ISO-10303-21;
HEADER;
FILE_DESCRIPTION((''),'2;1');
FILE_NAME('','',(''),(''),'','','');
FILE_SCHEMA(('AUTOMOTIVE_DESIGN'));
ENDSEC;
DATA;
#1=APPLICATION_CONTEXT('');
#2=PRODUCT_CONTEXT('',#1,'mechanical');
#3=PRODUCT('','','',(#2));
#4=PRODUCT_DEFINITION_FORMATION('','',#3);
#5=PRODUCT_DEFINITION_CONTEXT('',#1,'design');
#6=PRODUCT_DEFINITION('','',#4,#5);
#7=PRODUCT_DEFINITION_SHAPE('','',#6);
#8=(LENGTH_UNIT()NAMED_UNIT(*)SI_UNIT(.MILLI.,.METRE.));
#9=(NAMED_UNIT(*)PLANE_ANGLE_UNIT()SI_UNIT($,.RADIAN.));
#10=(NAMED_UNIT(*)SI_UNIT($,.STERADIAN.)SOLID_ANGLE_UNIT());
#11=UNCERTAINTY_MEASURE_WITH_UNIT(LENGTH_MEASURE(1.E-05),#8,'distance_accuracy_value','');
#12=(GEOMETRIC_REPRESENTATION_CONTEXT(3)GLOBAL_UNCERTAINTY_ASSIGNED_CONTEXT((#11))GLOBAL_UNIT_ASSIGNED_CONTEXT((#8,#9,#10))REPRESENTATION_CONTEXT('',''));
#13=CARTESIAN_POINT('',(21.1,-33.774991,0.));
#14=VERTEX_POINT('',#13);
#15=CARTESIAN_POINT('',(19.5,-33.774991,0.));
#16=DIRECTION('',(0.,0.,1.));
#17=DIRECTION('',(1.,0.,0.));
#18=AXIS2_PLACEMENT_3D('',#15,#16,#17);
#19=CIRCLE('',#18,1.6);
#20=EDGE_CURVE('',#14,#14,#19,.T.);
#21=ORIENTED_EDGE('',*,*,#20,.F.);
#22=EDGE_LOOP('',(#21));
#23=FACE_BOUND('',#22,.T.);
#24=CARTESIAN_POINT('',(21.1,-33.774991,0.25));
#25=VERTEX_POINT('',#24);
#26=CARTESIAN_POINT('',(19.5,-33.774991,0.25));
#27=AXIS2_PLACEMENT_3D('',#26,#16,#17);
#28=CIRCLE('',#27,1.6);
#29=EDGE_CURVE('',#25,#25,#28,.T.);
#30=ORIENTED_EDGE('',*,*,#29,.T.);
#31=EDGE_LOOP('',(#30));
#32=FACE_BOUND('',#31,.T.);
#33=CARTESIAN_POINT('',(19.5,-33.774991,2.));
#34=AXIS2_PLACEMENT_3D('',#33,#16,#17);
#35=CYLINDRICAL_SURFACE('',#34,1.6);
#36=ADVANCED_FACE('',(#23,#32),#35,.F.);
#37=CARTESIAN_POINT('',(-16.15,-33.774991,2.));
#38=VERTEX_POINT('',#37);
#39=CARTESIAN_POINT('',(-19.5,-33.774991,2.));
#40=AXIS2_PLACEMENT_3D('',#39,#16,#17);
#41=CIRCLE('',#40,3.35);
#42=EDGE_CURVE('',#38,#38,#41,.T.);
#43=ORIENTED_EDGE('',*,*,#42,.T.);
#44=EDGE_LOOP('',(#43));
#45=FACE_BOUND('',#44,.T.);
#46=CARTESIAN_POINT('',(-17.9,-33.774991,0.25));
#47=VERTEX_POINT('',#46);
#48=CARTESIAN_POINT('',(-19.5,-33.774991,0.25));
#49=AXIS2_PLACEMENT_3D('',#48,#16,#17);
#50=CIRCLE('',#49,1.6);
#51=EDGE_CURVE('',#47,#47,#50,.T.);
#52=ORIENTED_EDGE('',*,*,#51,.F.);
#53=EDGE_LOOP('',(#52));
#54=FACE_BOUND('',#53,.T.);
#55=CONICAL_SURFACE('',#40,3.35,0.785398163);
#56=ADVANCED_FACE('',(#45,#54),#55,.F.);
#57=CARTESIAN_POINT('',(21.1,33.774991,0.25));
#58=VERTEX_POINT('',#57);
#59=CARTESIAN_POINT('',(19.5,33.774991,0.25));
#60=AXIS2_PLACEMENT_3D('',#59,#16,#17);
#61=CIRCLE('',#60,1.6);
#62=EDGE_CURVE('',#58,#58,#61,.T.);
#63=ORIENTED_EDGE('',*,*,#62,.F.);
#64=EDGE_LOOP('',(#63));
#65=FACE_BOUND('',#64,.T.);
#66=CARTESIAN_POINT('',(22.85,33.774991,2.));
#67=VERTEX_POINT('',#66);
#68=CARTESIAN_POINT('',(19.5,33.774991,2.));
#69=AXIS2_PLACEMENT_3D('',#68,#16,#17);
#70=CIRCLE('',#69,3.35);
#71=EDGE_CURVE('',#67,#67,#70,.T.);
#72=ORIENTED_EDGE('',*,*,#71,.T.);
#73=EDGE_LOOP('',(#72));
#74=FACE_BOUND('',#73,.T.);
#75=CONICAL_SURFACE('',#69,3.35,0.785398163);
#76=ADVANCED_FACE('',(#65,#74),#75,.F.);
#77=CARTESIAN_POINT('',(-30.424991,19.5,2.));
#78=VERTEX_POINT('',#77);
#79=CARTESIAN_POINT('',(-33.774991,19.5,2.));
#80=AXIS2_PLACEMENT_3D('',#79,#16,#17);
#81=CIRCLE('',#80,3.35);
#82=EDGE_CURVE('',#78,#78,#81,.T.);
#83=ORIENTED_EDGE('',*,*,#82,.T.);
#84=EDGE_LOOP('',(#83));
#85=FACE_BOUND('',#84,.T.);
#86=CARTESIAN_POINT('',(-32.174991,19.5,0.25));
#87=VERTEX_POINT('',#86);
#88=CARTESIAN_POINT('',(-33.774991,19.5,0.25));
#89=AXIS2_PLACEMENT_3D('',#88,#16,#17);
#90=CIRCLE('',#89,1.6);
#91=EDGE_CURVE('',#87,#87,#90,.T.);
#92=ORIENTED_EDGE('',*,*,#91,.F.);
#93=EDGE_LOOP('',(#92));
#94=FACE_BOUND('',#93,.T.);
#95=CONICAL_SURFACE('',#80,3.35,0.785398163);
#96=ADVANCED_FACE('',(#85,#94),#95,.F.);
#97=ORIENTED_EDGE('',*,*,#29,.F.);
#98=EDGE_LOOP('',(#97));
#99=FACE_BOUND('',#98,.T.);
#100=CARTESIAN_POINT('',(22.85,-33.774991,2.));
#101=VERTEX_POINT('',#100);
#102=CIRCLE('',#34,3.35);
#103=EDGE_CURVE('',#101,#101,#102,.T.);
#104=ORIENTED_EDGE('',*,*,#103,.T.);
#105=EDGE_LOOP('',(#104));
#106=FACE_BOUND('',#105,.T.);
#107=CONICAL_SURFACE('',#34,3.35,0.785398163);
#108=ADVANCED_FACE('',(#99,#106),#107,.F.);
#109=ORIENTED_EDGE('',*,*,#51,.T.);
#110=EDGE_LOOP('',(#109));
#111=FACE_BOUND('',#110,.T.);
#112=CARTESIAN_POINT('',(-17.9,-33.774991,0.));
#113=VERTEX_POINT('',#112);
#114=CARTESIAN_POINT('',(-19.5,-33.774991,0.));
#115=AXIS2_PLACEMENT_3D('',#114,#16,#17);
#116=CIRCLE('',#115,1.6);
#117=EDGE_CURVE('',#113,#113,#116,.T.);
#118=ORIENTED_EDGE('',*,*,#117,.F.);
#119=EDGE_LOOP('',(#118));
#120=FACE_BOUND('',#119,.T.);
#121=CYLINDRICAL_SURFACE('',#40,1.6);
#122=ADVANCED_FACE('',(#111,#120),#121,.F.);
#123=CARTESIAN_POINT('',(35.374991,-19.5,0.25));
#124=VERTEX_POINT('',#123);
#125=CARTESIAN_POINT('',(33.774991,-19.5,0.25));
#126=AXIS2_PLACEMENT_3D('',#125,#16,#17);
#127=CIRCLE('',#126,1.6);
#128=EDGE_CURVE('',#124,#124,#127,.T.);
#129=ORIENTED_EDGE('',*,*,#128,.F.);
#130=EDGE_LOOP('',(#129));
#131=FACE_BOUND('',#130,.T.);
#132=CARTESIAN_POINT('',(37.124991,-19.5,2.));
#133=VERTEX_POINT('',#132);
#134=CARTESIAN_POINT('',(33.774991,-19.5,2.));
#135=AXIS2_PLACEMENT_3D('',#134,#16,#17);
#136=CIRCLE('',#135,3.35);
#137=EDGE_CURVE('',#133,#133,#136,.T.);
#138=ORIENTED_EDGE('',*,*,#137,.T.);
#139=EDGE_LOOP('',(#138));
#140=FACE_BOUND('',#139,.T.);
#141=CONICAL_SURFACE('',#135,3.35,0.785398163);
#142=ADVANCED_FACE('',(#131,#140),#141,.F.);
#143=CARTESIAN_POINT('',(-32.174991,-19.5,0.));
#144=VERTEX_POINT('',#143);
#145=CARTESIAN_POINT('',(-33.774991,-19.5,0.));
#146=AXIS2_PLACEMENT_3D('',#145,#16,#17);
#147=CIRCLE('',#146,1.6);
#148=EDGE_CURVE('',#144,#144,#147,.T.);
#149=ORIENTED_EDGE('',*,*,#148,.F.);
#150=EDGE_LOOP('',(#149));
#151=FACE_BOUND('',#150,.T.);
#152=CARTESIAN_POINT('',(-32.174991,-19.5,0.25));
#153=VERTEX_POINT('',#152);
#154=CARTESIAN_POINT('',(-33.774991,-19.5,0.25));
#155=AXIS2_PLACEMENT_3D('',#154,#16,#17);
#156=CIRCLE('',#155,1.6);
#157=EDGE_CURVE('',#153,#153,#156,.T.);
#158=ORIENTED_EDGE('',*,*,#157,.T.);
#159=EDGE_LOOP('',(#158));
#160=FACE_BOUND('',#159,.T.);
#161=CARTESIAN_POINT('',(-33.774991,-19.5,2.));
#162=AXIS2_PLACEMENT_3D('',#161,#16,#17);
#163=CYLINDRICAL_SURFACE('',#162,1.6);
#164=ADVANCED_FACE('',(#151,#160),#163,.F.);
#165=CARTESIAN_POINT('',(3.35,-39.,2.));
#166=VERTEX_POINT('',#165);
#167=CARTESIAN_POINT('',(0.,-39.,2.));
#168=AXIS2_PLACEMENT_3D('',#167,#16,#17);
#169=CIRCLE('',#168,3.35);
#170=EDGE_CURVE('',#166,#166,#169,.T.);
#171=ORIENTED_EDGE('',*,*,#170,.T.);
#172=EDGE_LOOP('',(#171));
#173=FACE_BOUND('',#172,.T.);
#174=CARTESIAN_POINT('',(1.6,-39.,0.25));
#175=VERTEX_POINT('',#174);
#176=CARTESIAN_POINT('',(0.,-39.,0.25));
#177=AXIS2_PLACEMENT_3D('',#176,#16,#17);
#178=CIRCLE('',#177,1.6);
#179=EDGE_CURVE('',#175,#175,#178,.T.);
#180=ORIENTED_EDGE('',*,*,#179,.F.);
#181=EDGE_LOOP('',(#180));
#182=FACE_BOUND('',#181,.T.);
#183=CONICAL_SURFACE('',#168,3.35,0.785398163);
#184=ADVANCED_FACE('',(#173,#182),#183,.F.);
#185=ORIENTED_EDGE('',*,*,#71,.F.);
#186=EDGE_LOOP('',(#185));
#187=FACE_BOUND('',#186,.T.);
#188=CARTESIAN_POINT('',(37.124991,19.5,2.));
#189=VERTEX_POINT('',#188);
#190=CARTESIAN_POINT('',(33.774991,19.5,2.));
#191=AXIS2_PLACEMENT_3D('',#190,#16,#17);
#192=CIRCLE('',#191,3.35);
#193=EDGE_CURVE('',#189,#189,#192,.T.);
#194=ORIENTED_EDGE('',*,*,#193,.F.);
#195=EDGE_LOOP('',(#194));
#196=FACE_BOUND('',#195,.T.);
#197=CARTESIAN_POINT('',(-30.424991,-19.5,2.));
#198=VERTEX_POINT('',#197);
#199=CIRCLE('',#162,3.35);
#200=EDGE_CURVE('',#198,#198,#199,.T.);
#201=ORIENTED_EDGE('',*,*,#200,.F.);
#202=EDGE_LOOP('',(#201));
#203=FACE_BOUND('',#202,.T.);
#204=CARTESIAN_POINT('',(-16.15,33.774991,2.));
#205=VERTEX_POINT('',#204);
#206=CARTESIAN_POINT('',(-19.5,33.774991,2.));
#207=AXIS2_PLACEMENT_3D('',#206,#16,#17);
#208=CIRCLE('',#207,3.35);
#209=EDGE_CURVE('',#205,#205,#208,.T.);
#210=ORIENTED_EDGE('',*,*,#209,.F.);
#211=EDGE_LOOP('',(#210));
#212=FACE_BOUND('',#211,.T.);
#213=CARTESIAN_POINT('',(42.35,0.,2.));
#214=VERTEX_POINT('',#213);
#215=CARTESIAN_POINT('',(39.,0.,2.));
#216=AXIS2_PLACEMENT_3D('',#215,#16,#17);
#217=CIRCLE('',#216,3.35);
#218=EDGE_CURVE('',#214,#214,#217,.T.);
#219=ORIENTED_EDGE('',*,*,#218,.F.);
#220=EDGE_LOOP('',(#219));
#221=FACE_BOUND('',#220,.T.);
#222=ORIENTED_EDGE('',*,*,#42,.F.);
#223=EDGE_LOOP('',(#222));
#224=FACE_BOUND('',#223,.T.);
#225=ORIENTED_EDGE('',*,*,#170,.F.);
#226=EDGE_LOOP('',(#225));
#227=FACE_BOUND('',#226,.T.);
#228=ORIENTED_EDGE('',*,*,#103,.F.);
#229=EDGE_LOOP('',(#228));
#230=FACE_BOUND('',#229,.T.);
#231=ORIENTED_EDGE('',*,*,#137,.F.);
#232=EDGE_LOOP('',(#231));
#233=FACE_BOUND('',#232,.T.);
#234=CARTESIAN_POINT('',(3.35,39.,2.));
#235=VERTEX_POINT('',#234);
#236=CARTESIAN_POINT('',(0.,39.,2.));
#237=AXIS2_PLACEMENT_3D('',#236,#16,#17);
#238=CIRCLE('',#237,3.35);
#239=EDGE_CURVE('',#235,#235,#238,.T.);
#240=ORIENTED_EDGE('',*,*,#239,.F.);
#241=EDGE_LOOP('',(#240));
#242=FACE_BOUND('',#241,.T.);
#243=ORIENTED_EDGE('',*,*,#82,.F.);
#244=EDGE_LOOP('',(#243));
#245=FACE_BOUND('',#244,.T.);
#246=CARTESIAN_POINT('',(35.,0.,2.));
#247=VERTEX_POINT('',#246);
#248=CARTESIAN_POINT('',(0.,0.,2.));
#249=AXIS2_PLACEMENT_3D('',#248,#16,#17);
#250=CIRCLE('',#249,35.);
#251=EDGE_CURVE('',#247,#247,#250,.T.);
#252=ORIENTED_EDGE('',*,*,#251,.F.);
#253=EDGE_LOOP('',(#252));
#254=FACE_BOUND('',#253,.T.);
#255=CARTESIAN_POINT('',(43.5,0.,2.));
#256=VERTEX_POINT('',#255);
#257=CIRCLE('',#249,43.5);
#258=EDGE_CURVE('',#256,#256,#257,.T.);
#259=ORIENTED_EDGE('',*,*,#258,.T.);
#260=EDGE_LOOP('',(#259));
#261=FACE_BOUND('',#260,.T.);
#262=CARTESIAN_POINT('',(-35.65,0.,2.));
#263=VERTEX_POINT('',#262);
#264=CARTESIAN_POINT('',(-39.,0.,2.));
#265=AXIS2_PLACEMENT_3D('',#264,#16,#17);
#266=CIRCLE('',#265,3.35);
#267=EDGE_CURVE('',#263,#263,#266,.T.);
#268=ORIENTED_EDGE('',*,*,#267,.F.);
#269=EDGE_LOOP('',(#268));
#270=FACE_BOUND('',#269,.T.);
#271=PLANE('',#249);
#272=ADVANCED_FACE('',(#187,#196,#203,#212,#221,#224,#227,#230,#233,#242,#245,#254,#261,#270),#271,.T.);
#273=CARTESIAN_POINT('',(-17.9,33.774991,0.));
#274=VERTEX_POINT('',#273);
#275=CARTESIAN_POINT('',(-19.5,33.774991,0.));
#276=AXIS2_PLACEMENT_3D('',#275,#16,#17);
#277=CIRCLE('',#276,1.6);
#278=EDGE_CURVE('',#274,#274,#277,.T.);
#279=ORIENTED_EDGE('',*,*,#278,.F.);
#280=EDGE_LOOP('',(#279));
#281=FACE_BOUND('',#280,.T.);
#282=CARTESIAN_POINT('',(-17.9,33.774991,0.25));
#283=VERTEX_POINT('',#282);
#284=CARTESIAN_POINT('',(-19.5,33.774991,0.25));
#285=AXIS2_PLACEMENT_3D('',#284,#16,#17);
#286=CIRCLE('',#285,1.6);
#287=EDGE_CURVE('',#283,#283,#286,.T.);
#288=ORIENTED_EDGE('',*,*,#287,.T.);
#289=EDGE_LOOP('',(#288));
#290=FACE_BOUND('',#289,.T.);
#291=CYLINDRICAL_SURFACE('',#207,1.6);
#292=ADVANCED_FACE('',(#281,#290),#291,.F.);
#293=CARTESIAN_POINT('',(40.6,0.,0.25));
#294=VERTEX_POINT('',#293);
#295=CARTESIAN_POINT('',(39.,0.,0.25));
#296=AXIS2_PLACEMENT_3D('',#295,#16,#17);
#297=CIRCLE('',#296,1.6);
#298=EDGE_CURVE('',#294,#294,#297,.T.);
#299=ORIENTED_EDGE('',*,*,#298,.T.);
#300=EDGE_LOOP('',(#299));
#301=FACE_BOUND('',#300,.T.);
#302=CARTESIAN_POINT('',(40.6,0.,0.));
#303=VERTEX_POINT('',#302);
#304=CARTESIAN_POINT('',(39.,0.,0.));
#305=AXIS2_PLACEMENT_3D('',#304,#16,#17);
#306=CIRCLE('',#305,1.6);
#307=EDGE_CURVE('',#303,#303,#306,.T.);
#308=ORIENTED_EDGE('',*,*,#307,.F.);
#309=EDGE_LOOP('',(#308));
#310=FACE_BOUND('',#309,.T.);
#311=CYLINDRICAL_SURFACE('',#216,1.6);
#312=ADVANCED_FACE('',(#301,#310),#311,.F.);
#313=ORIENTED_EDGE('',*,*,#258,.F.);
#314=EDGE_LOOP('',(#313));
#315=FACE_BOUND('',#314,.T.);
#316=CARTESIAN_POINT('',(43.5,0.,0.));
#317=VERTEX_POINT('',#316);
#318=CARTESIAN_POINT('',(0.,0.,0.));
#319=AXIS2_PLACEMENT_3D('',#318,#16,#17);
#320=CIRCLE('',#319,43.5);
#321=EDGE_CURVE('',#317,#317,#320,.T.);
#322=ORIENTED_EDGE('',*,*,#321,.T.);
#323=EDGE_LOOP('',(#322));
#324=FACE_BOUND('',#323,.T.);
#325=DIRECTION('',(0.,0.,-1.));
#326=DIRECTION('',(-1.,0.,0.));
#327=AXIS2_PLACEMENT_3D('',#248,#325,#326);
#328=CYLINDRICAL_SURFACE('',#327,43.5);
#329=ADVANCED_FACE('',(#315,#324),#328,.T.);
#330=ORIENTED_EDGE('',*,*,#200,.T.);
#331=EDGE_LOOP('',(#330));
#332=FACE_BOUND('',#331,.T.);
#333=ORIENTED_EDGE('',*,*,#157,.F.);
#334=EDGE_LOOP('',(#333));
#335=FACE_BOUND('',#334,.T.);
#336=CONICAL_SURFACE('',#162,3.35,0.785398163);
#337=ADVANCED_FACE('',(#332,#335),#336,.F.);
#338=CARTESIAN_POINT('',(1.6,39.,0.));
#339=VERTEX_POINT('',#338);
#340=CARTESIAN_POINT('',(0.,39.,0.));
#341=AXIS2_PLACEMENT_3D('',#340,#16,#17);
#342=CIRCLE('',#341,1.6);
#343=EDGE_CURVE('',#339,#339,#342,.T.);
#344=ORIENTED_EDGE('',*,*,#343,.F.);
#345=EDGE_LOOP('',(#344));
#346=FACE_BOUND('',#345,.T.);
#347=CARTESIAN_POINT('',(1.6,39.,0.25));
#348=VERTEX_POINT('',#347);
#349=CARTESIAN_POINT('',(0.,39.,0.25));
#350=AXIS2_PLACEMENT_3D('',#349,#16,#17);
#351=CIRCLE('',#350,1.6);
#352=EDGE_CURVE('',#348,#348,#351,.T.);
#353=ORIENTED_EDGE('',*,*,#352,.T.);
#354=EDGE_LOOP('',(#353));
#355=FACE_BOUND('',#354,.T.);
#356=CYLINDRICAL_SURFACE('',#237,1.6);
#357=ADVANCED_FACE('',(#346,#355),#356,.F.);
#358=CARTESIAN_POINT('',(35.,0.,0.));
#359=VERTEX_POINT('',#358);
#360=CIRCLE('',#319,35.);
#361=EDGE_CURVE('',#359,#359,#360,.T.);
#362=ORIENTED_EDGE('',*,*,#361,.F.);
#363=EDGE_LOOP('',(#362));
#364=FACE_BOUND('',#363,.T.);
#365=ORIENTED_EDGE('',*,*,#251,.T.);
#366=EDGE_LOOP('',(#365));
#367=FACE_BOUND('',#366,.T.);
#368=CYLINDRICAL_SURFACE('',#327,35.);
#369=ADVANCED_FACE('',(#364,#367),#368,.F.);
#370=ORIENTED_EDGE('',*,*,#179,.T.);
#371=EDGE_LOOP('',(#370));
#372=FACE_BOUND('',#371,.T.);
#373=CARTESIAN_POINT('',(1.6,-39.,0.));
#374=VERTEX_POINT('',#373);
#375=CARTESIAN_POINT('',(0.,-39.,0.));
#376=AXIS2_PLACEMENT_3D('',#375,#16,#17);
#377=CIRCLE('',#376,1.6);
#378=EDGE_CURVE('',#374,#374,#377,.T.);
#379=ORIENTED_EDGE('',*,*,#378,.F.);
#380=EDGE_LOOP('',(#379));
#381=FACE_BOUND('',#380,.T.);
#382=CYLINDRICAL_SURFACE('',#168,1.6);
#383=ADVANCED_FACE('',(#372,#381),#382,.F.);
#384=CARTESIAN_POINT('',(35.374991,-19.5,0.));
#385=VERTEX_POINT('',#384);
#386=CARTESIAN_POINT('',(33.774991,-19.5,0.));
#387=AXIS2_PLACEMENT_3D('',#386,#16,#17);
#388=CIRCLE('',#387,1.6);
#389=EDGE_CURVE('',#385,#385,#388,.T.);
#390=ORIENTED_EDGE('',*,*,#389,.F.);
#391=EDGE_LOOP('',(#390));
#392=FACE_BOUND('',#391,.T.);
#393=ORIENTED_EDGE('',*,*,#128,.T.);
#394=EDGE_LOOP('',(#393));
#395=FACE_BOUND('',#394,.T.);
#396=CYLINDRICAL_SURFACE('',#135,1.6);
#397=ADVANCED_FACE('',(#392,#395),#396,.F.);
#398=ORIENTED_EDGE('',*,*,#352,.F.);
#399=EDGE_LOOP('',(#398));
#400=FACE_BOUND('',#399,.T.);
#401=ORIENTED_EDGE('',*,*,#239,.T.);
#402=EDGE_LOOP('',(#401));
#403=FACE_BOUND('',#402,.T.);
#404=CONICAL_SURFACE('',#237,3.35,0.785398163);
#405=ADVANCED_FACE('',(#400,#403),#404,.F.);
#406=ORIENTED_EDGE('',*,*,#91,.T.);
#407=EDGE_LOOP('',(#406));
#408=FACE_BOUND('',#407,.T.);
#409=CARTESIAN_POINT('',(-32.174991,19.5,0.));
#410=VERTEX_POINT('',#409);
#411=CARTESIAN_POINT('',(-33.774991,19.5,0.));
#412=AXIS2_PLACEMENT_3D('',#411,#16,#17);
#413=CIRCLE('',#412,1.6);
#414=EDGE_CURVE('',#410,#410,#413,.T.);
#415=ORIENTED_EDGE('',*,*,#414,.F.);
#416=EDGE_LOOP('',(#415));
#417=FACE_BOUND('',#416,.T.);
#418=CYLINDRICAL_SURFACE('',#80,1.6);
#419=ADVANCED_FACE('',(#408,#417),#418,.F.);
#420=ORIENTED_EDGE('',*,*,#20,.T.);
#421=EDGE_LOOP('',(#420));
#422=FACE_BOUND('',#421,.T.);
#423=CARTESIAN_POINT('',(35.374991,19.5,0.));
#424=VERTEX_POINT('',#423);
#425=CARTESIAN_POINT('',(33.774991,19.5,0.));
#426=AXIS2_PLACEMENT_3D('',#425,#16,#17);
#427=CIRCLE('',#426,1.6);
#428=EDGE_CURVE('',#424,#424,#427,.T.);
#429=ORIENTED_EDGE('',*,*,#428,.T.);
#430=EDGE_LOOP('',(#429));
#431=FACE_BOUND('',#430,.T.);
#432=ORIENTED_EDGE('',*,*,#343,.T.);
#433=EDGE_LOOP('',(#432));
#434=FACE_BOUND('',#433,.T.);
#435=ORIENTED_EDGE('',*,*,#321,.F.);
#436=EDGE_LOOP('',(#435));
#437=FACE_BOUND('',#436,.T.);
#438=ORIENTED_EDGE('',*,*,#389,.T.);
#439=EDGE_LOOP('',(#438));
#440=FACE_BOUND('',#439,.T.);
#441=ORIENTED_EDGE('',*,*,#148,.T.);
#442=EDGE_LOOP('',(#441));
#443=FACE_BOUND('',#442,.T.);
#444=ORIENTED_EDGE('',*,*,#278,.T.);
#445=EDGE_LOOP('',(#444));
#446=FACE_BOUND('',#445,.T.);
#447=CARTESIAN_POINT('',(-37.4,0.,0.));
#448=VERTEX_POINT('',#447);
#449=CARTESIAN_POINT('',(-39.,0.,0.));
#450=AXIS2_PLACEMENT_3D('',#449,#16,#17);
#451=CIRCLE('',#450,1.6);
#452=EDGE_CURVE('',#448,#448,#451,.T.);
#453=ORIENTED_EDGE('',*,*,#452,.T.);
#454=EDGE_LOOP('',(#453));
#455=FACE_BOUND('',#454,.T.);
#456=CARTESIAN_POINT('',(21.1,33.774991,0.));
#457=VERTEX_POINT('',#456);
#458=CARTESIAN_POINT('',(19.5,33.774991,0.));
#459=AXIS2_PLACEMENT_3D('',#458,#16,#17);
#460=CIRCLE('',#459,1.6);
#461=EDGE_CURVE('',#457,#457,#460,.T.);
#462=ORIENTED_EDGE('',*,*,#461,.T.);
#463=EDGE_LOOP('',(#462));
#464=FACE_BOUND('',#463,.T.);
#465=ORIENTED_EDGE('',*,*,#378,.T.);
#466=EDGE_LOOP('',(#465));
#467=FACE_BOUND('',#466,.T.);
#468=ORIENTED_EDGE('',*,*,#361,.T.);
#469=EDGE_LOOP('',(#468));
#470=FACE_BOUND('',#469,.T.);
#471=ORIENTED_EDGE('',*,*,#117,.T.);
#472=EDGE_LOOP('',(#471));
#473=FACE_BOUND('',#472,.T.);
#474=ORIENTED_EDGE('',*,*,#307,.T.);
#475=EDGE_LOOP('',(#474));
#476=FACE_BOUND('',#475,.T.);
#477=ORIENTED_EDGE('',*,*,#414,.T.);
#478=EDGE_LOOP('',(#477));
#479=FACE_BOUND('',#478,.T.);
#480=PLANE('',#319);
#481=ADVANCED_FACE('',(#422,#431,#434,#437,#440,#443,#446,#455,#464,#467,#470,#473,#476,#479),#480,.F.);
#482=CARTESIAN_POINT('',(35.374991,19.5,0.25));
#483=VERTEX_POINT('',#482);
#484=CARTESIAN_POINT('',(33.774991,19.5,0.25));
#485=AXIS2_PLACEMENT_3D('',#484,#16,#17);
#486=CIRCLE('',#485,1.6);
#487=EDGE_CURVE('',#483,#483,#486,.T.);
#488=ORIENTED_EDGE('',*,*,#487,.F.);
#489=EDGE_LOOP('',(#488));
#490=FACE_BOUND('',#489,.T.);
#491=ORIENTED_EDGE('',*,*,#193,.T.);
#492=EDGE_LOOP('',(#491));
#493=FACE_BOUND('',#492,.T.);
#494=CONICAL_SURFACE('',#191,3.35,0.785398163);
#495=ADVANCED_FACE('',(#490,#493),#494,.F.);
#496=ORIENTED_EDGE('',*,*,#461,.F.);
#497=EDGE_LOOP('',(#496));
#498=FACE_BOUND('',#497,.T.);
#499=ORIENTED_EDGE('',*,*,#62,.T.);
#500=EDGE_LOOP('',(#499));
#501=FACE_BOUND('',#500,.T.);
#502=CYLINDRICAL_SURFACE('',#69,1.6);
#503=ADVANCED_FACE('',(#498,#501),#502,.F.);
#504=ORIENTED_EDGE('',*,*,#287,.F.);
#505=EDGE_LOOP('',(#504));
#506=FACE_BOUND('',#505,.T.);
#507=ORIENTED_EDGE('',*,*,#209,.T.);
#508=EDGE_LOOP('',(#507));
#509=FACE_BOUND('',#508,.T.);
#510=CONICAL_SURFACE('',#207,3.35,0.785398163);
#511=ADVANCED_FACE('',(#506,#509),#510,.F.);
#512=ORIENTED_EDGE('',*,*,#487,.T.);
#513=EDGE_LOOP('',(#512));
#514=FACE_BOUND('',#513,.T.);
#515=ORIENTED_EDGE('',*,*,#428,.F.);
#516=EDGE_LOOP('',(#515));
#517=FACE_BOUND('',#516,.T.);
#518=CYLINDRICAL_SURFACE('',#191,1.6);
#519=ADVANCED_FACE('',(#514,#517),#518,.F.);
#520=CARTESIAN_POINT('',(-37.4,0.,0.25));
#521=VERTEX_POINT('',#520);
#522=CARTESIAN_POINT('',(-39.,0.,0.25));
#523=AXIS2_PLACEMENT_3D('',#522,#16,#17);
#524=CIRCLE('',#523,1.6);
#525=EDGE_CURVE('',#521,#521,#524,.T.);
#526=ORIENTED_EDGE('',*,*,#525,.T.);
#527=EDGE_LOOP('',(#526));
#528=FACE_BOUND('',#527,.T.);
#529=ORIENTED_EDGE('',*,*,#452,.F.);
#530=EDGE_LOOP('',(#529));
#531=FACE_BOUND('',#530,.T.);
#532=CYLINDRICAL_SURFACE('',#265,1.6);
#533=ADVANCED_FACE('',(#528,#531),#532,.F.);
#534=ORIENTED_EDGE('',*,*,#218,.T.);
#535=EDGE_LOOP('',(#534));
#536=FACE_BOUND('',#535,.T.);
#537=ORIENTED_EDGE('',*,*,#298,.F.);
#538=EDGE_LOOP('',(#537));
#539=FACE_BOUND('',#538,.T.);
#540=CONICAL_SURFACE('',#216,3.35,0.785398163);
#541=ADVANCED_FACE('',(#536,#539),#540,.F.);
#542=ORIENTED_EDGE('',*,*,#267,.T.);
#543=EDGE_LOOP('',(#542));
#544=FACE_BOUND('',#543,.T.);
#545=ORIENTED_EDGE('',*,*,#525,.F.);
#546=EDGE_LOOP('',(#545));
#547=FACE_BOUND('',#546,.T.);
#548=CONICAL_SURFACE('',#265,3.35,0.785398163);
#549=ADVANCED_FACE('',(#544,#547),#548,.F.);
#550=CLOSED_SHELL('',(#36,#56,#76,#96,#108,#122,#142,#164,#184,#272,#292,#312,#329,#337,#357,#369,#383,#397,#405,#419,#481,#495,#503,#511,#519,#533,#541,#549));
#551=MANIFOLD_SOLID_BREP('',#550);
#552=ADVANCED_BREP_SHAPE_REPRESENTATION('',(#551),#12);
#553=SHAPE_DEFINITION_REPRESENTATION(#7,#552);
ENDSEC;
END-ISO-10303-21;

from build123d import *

# Parameters (mm, degrees)
SKETCH1_R           = 43.5
SKETCH1_R_2         = 35
BOSS_EXTRUDE1_DEPTH = 2
SKETCH2_R           = 1.5
CUT_EXTRUDE1_DEPTH  = 10
CIRPATTERN1_COUNT   = 12
CIRPATTERN2_COUNT   = 12


with BuildPart() as part:
    # Sketch1 → Boss-Extrude1 (new body)
    with BuildSketch(Plane.XY):
        Circle(SKETCH1_R)
        Circle(SKETCH1_R_2, mode=Mode.SUBTRACT)
    extrude(amount=BOSS_EXTRUDE1_DEPTH)

    # Sketch2 → Cut-Extrude1 (cut)
    with BuildSketch(Plane.XY.offset(2)):
        with Locations((0, 39)):
            Circle(SKETCH2_R)
    cut_extrude1 = extrude(amount=-CUT_EXTRUDE1_DEPTH, mode=Mode.SUBTRACT)

    # CirPattern1: Cut-Extrude1 ×12 about axis
    cirpattern1_axis = Axis((0, 0, 0), (0, 0, 1))
    for i in range(1, CIRPATTERN1_COUNT):
        add(cut_extrude1.rotate(cirpattern1_axis, i * 360 / CIRPATTERN1_COUNT), mode=Mode.SUBTRACT)

    # Sketch4 → CSK for M3 Flat Head Machine Screw1 (revolve, cut)
    with BuildSketch(Plane(origin=(0, 39, 2), x_dir=(0, -1, 0), z_dir=(1, 0, 0))):
        Polygon((0, 0), (0, 2), (1.6, 2), (1.6, 1.75), (3.35, 0), align=None)
    csk_for_m3_flat_head_machine_screw1 = revolve(axis=Axis((0, 39, 8.35), (0, 0, -1)), mode=Mode.SUBTRACT)

    # CirPattern2: CSK for M3 Flat Head Machine Screw1 ×12 about axis
    cirpattern2_axis = Axis((0, 0, 0), (0, 0, 1))
    for i in range(1, CIRPATTERN2_COUNT):
        add(csk_for_m3_flat_head_machine_screw1.rotate(cirpattern2_axis, i * 360 / CIRPATTERN2_COUNT), mode=Mode.SUBTRACT)


solid = part.part
